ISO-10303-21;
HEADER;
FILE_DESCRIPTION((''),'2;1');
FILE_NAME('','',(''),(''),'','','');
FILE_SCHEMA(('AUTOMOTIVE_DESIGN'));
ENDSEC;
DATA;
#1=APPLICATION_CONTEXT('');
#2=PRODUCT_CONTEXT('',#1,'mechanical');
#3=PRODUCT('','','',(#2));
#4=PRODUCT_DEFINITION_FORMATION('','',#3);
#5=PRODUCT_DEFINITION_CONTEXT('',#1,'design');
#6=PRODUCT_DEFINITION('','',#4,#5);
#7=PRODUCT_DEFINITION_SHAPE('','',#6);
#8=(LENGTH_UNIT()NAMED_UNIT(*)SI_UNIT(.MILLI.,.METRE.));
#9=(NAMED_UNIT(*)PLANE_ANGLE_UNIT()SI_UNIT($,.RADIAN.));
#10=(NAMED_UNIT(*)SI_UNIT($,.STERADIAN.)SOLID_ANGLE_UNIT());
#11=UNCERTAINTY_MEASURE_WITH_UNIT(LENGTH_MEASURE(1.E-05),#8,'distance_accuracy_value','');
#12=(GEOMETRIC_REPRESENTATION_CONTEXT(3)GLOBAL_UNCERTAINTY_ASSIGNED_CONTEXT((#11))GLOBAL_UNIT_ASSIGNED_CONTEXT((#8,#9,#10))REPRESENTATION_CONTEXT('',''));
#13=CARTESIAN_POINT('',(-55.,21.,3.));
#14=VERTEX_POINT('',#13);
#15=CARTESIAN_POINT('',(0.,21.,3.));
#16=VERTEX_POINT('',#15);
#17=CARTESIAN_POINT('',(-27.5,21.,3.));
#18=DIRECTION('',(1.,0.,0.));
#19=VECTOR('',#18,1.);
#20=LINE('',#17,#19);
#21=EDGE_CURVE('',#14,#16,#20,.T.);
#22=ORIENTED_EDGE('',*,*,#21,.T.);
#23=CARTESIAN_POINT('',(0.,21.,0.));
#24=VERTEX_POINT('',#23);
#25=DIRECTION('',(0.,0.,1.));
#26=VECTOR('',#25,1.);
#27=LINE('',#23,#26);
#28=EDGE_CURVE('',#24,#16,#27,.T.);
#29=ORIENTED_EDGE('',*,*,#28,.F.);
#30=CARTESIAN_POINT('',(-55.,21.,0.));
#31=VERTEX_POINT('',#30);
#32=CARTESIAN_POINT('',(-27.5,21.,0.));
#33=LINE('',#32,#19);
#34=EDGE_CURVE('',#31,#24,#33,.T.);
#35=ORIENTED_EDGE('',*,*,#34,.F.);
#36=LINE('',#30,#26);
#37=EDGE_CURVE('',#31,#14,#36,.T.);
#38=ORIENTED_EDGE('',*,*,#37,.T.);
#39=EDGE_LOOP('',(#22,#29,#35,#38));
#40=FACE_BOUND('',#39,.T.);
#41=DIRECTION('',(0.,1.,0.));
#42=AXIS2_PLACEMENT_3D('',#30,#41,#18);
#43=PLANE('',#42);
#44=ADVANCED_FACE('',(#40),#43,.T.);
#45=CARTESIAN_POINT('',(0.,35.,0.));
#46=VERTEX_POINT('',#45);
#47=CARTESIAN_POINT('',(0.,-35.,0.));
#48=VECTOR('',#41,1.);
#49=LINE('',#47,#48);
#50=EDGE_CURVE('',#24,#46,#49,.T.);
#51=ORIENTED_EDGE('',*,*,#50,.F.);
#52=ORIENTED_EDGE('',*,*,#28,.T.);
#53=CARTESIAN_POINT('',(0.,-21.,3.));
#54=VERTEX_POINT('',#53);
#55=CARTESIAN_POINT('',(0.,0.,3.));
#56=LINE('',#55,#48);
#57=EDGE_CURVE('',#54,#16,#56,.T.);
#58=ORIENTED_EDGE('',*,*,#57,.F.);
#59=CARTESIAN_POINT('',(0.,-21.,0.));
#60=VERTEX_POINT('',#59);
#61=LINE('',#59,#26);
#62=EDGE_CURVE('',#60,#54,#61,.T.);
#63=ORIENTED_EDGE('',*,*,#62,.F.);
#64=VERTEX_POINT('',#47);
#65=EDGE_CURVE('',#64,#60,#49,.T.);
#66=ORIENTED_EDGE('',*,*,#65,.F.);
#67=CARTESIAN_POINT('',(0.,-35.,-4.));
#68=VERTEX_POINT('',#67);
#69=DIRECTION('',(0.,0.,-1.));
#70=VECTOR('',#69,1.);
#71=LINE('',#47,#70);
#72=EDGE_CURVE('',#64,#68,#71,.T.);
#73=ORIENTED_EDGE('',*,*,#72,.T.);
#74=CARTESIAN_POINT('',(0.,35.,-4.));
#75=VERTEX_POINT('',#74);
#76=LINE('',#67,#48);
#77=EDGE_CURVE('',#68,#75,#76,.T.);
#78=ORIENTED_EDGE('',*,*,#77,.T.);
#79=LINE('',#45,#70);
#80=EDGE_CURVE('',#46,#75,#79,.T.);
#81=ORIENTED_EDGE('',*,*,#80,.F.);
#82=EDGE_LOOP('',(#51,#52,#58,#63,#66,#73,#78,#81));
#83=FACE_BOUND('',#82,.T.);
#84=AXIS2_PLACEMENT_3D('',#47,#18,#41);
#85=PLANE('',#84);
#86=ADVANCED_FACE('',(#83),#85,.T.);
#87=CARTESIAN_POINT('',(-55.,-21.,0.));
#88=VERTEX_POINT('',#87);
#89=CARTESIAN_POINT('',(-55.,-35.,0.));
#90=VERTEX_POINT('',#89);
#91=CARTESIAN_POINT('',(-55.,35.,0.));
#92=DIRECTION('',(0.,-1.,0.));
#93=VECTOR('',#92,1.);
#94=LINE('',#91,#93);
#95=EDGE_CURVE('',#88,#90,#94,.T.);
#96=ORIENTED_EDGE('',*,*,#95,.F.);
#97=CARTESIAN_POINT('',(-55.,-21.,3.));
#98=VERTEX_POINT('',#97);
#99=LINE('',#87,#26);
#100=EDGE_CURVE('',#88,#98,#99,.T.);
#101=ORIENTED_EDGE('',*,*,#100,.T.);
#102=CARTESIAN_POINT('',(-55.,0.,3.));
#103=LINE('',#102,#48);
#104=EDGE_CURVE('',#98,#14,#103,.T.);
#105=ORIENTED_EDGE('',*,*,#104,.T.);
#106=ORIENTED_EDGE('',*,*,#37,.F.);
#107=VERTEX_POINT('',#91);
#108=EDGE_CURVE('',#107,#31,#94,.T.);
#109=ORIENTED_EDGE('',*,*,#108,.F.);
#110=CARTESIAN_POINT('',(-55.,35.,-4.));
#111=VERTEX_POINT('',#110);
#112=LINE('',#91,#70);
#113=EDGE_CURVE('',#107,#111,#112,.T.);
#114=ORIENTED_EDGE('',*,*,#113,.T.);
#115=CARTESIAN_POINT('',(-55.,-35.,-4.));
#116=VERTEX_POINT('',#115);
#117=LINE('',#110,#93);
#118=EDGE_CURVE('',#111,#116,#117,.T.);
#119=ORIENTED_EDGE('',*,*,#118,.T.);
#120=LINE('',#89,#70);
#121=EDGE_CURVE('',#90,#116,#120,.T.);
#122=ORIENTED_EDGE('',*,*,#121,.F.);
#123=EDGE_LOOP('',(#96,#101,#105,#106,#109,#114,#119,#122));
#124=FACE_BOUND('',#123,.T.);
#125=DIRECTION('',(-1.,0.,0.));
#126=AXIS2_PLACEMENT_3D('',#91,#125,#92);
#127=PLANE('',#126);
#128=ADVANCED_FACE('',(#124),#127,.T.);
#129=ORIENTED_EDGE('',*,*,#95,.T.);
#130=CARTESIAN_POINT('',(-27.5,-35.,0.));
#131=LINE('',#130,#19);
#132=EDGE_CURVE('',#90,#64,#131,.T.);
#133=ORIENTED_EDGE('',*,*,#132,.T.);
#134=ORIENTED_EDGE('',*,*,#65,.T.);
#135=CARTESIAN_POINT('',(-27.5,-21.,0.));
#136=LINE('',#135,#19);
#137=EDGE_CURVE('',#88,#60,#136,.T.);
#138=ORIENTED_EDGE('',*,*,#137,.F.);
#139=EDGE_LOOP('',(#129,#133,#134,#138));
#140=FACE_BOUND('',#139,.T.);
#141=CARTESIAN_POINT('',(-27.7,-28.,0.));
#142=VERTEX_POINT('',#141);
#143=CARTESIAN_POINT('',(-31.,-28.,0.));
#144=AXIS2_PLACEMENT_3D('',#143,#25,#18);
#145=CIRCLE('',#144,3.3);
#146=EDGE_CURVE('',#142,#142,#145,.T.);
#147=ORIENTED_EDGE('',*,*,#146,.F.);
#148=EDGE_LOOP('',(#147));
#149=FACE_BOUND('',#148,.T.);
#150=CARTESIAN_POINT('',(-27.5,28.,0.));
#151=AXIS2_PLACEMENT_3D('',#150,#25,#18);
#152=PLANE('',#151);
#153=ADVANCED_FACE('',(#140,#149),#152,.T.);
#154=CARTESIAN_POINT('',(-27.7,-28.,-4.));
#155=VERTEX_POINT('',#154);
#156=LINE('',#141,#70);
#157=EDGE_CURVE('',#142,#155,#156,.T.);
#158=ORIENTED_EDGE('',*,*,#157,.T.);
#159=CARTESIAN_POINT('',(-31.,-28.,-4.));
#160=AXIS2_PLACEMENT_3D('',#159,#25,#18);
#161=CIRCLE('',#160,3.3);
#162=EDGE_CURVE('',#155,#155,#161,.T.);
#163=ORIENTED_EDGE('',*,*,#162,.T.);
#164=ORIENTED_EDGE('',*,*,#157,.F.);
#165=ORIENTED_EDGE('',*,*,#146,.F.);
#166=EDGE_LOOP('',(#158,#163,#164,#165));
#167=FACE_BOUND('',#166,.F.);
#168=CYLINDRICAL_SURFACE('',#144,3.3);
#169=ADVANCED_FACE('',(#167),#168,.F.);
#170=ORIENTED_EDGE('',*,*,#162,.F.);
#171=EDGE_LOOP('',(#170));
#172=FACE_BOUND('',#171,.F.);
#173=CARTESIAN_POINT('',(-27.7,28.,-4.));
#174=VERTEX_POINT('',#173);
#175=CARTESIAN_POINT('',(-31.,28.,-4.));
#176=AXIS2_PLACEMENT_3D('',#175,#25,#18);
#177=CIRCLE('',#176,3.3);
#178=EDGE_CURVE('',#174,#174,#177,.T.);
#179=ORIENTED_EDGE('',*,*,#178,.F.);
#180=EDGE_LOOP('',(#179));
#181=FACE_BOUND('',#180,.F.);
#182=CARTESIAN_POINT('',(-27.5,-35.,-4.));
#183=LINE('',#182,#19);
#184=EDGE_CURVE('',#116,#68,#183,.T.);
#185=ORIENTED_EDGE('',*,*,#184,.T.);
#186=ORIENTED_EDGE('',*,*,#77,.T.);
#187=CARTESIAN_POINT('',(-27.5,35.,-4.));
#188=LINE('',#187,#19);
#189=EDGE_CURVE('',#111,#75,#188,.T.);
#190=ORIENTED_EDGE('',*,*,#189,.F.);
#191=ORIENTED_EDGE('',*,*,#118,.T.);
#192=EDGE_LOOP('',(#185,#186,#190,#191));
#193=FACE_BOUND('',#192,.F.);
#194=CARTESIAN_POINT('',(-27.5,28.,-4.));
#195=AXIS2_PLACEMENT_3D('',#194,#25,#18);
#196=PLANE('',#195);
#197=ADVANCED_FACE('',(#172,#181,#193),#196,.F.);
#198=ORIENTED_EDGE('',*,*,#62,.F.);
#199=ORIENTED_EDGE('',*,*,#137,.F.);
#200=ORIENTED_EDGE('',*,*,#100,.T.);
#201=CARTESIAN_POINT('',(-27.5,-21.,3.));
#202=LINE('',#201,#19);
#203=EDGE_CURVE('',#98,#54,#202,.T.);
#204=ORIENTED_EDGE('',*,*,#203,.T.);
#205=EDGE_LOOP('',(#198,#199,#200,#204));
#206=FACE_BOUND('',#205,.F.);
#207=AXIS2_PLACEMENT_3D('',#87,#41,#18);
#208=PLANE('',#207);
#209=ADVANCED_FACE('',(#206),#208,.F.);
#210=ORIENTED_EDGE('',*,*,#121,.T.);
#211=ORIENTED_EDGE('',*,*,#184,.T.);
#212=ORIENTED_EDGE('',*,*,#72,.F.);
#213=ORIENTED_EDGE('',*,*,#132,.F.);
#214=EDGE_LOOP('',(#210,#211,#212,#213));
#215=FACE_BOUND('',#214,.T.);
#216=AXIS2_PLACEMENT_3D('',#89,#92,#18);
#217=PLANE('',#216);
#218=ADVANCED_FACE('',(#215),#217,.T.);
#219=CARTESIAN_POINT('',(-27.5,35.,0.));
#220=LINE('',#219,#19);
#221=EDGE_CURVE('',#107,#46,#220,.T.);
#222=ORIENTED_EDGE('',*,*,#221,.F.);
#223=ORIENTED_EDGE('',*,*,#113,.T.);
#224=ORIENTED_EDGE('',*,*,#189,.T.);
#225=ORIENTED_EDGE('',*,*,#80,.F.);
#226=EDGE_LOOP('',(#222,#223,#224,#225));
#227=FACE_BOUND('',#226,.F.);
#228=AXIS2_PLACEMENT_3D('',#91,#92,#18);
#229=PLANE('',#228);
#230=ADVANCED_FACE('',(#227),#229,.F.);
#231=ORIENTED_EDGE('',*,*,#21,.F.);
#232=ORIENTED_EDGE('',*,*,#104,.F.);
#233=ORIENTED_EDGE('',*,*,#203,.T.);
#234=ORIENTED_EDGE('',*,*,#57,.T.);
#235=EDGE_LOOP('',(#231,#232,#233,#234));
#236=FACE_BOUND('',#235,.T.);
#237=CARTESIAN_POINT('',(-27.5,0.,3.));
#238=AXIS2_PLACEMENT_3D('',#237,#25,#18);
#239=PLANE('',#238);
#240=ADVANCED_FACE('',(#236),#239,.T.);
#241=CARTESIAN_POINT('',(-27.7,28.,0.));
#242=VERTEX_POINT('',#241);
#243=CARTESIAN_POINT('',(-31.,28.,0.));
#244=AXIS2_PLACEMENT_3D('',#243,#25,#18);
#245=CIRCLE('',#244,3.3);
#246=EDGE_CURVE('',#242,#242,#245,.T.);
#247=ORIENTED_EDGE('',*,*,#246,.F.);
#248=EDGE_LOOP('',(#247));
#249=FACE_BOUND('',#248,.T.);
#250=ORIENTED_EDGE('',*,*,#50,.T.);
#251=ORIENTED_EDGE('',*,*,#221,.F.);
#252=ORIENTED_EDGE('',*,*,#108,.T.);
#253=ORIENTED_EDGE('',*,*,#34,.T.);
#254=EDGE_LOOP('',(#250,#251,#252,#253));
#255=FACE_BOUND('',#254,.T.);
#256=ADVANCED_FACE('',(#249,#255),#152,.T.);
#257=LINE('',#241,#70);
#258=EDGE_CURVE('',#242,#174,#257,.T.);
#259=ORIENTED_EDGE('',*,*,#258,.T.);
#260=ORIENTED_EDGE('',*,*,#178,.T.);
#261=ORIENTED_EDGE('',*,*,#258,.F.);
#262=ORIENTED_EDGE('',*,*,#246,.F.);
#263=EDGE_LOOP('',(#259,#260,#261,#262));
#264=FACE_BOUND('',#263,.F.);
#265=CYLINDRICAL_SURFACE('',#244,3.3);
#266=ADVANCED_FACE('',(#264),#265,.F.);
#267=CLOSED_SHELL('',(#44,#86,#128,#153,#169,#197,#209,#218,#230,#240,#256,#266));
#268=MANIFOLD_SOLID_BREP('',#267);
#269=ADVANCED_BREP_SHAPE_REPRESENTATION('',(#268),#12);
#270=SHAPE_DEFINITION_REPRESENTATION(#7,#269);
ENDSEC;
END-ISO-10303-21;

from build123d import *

# Parameters (mm, degrees)
F0_W     = 55
F0_H     = 14
F0_R     = 3.3
F0_H_2   = 42
F1_DEPTH = 4
F2_DEPTH = 3


with BuildPart() as f1:
    # F0 (on Top) → F1 (new body)
    with BuildSketch(Plane.XY):
        with Locations((-27.5, 28)):
            Rectangle(F0_W, F0_H)
        with Locations((-31, 28)):
            Circle(F0_R, mode=Mode.SUBTRACT)
        with Locations((-27.5, 0)):
            Rectangle(F0_W, F0_H_2)
        with Locations((-27.5, -28)):
            Rectangle(F0_W, F0_H)
        with Locations((-31, -28)):
            Circle(F0_R, mode=Mode.SUBTRACT)
    extrude(amount=-F1_DEPTH)

    # F0 (on Top) → F2 (join)
    with BuildSketch(Plane.XY):
        with Locations((-27.5, 0)):
            Rectangle(F0_W, F0_H_2)
    extrude(amount=F2_DEPTH)


solid = f1.part
